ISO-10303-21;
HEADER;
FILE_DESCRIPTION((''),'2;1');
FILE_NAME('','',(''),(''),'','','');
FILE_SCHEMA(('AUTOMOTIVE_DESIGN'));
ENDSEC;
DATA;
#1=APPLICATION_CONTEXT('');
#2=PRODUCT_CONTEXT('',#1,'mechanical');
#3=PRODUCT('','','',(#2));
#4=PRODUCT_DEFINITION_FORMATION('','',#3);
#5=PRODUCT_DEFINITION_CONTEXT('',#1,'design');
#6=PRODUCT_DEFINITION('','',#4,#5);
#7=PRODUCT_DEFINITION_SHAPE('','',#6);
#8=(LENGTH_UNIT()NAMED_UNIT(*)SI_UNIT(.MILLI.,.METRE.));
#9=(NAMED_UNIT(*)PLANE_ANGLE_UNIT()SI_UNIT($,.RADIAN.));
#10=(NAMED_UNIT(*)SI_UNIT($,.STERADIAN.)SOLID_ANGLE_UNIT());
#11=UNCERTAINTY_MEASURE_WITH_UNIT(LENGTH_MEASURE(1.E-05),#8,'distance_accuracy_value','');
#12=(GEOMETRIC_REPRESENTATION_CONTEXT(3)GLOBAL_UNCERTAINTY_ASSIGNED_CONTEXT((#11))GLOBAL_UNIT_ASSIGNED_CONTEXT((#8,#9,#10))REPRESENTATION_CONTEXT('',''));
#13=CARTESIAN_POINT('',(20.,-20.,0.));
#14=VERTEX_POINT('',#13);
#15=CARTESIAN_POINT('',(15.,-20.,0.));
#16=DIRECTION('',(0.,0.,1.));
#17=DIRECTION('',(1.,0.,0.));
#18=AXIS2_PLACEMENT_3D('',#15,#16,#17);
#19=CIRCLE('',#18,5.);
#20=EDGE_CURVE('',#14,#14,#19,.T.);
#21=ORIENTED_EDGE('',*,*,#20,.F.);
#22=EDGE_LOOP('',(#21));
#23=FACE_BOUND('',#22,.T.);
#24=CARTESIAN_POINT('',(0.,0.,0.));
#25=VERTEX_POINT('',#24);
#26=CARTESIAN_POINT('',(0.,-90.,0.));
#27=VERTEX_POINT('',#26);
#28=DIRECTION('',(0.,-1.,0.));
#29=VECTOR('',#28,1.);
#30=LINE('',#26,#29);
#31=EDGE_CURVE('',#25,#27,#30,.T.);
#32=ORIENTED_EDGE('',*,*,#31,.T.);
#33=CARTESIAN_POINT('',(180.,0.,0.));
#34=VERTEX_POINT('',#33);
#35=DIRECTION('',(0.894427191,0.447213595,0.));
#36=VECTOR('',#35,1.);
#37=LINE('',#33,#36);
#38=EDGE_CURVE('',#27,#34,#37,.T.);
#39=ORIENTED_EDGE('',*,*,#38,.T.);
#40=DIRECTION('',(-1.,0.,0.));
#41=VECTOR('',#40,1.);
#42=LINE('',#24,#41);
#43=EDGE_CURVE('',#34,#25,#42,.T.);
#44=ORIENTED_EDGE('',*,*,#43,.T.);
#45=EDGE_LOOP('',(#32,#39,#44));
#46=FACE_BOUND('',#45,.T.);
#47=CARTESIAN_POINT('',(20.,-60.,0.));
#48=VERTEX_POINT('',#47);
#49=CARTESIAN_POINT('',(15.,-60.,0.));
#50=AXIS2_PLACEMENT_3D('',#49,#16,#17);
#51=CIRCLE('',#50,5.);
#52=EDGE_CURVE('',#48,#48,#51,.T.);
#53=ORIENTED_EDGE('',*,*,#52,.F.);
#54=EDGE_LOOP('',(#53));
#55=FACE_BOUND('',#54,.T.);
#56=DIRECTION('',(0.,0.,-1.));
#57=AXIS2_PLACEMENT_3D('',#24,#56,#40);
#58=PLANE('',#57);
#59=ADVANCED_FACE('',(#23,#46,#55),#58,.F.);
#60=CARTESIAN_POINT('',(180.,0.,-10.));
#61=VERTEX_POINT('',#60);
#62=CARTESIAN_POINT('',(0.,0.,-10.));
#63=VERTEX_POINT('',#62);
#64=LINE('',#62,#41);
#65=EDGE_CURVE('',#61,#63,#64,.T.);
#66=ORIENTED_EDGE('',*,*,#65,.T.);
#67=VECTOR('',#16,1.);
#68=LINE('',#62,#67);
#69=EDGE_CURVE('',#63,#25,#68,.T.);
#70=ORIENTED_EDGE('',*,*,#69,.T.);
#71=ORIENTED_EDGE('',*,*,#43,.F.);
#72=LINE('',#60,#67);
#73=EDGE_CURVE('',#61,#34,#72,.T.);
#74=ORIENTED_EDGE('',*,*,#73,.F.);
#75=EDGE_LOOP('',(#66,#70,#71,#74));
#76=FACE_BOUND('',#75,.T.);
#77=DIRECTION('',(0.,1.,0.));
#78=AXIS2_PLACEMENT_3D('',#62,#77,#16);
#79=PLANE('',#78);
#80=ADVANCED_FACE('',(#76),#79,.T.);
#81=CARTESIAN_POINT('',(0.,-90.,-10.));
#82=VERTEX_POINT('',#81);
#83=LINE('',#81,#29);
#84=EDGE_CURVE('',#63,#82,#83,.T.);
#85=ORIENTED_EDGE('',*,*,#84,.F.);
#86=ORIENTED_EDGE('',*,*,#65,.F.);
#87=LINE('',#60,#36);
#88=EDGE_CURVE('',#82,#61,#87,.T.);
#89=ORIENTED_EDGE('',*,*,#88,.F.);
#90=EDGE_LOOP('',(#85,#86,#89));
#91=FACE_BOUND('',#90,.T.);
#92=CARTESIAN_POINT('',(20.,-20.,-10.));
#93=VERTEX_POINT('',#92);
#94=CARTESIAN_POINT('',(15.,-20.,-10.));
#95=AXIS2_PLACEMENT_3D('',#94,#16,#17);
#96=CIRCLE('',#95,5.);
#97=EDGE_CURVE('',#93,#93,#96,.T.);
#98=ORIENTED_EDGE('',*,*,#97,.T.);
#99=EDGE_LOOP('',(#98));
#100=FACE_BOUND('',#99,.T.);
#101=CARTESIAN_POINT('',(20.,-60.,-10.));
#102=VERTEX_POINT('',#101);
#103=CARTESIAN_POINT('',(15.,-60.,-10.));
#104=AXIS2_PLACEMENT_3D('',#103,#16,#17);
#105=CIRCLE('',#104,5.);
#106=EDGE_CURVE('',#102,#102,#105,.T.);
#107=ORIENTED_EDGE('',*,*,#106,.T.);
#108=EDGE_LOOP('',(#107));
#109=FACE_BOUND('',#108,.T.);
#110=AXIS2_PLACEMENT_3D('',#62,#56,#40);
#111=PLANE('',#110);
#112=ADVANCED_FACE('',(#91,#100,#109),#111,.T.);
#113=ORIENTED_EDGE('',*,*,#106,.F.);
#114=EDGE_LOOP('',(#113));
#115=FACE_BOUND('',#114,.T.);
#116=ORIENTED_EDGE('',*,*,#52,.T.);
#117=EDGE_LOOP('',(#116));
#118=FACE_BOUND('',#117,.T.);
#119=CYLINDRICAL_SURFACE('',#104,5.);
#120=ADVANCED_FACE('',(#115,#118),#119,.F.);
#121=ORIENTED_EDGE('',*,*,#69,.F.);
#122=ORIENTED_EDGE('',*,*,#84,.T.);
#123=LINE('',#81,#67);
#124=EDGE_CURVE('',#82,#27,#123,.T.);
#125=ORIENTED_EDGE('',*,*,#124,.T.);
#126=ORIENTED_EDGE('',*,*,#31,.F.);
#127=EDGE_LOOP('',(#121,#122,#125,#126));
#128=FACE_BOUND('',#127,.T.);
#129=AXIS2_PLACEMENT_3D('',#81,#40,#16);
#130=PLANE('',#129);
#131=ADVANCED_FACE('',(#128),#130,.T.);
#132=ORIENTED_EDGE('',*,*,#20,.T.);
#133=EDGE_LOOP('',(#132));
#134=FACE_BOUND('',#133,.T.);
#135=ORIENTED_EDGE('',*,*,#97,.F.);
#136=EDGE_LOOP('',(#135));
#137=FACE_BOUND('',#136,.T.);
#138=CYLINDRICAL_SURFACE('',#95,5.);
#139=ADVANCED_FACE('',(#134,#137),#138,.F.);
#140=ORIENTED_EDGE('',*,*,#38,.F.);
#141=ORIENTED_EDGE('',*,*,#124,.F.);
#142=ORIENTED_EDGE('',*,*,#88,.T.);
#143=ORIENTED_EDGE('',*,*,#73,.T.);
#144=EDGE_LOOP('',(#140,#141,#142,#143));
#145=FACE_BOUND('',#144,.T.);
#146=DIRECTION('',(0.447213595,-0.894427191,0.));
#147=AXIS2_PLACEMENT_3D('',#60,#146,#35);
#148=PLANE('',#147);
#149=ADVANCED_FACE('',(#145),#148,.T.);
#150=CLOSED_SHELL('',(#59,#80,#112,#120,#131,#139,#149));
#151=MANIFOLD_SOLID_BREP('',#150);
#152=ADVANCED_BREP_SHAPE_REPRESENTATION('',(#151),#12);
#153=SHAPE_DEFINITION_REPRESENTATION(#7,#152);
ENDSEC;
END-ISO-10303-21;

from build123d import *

# Parameters (mm, degrees)
BOSS_EXTRUDE2_DEPTH = 10
SKETCH6_R           = 5
CUT_EXTRUDE2_DEPTH  = 202.494416796


with BuildPart() as part:
    # Sketch5 → Boss-Extrude2 (new body)
    with BuildSketch(Plane.XY):
        Polygon((0, 0), (180, 0), (0, -90), align=None)
    extrude(amount=-BOSS_EXTRUDE2_DEPTH)

    # Sketch6 → Cut-Extrude2 (cut, through all)
    with BuildSketch(Plane.XY):
        with Locations((15, -20)):
            Circle(SKETCH6_R)
        with Locations((15, -60)):
            Circle(SKETCH6_R)
    extrude(amount=-CUT_EXTRUDE2_DEPTH, mode=Mode.SUBTRACT)


solid = part.part
